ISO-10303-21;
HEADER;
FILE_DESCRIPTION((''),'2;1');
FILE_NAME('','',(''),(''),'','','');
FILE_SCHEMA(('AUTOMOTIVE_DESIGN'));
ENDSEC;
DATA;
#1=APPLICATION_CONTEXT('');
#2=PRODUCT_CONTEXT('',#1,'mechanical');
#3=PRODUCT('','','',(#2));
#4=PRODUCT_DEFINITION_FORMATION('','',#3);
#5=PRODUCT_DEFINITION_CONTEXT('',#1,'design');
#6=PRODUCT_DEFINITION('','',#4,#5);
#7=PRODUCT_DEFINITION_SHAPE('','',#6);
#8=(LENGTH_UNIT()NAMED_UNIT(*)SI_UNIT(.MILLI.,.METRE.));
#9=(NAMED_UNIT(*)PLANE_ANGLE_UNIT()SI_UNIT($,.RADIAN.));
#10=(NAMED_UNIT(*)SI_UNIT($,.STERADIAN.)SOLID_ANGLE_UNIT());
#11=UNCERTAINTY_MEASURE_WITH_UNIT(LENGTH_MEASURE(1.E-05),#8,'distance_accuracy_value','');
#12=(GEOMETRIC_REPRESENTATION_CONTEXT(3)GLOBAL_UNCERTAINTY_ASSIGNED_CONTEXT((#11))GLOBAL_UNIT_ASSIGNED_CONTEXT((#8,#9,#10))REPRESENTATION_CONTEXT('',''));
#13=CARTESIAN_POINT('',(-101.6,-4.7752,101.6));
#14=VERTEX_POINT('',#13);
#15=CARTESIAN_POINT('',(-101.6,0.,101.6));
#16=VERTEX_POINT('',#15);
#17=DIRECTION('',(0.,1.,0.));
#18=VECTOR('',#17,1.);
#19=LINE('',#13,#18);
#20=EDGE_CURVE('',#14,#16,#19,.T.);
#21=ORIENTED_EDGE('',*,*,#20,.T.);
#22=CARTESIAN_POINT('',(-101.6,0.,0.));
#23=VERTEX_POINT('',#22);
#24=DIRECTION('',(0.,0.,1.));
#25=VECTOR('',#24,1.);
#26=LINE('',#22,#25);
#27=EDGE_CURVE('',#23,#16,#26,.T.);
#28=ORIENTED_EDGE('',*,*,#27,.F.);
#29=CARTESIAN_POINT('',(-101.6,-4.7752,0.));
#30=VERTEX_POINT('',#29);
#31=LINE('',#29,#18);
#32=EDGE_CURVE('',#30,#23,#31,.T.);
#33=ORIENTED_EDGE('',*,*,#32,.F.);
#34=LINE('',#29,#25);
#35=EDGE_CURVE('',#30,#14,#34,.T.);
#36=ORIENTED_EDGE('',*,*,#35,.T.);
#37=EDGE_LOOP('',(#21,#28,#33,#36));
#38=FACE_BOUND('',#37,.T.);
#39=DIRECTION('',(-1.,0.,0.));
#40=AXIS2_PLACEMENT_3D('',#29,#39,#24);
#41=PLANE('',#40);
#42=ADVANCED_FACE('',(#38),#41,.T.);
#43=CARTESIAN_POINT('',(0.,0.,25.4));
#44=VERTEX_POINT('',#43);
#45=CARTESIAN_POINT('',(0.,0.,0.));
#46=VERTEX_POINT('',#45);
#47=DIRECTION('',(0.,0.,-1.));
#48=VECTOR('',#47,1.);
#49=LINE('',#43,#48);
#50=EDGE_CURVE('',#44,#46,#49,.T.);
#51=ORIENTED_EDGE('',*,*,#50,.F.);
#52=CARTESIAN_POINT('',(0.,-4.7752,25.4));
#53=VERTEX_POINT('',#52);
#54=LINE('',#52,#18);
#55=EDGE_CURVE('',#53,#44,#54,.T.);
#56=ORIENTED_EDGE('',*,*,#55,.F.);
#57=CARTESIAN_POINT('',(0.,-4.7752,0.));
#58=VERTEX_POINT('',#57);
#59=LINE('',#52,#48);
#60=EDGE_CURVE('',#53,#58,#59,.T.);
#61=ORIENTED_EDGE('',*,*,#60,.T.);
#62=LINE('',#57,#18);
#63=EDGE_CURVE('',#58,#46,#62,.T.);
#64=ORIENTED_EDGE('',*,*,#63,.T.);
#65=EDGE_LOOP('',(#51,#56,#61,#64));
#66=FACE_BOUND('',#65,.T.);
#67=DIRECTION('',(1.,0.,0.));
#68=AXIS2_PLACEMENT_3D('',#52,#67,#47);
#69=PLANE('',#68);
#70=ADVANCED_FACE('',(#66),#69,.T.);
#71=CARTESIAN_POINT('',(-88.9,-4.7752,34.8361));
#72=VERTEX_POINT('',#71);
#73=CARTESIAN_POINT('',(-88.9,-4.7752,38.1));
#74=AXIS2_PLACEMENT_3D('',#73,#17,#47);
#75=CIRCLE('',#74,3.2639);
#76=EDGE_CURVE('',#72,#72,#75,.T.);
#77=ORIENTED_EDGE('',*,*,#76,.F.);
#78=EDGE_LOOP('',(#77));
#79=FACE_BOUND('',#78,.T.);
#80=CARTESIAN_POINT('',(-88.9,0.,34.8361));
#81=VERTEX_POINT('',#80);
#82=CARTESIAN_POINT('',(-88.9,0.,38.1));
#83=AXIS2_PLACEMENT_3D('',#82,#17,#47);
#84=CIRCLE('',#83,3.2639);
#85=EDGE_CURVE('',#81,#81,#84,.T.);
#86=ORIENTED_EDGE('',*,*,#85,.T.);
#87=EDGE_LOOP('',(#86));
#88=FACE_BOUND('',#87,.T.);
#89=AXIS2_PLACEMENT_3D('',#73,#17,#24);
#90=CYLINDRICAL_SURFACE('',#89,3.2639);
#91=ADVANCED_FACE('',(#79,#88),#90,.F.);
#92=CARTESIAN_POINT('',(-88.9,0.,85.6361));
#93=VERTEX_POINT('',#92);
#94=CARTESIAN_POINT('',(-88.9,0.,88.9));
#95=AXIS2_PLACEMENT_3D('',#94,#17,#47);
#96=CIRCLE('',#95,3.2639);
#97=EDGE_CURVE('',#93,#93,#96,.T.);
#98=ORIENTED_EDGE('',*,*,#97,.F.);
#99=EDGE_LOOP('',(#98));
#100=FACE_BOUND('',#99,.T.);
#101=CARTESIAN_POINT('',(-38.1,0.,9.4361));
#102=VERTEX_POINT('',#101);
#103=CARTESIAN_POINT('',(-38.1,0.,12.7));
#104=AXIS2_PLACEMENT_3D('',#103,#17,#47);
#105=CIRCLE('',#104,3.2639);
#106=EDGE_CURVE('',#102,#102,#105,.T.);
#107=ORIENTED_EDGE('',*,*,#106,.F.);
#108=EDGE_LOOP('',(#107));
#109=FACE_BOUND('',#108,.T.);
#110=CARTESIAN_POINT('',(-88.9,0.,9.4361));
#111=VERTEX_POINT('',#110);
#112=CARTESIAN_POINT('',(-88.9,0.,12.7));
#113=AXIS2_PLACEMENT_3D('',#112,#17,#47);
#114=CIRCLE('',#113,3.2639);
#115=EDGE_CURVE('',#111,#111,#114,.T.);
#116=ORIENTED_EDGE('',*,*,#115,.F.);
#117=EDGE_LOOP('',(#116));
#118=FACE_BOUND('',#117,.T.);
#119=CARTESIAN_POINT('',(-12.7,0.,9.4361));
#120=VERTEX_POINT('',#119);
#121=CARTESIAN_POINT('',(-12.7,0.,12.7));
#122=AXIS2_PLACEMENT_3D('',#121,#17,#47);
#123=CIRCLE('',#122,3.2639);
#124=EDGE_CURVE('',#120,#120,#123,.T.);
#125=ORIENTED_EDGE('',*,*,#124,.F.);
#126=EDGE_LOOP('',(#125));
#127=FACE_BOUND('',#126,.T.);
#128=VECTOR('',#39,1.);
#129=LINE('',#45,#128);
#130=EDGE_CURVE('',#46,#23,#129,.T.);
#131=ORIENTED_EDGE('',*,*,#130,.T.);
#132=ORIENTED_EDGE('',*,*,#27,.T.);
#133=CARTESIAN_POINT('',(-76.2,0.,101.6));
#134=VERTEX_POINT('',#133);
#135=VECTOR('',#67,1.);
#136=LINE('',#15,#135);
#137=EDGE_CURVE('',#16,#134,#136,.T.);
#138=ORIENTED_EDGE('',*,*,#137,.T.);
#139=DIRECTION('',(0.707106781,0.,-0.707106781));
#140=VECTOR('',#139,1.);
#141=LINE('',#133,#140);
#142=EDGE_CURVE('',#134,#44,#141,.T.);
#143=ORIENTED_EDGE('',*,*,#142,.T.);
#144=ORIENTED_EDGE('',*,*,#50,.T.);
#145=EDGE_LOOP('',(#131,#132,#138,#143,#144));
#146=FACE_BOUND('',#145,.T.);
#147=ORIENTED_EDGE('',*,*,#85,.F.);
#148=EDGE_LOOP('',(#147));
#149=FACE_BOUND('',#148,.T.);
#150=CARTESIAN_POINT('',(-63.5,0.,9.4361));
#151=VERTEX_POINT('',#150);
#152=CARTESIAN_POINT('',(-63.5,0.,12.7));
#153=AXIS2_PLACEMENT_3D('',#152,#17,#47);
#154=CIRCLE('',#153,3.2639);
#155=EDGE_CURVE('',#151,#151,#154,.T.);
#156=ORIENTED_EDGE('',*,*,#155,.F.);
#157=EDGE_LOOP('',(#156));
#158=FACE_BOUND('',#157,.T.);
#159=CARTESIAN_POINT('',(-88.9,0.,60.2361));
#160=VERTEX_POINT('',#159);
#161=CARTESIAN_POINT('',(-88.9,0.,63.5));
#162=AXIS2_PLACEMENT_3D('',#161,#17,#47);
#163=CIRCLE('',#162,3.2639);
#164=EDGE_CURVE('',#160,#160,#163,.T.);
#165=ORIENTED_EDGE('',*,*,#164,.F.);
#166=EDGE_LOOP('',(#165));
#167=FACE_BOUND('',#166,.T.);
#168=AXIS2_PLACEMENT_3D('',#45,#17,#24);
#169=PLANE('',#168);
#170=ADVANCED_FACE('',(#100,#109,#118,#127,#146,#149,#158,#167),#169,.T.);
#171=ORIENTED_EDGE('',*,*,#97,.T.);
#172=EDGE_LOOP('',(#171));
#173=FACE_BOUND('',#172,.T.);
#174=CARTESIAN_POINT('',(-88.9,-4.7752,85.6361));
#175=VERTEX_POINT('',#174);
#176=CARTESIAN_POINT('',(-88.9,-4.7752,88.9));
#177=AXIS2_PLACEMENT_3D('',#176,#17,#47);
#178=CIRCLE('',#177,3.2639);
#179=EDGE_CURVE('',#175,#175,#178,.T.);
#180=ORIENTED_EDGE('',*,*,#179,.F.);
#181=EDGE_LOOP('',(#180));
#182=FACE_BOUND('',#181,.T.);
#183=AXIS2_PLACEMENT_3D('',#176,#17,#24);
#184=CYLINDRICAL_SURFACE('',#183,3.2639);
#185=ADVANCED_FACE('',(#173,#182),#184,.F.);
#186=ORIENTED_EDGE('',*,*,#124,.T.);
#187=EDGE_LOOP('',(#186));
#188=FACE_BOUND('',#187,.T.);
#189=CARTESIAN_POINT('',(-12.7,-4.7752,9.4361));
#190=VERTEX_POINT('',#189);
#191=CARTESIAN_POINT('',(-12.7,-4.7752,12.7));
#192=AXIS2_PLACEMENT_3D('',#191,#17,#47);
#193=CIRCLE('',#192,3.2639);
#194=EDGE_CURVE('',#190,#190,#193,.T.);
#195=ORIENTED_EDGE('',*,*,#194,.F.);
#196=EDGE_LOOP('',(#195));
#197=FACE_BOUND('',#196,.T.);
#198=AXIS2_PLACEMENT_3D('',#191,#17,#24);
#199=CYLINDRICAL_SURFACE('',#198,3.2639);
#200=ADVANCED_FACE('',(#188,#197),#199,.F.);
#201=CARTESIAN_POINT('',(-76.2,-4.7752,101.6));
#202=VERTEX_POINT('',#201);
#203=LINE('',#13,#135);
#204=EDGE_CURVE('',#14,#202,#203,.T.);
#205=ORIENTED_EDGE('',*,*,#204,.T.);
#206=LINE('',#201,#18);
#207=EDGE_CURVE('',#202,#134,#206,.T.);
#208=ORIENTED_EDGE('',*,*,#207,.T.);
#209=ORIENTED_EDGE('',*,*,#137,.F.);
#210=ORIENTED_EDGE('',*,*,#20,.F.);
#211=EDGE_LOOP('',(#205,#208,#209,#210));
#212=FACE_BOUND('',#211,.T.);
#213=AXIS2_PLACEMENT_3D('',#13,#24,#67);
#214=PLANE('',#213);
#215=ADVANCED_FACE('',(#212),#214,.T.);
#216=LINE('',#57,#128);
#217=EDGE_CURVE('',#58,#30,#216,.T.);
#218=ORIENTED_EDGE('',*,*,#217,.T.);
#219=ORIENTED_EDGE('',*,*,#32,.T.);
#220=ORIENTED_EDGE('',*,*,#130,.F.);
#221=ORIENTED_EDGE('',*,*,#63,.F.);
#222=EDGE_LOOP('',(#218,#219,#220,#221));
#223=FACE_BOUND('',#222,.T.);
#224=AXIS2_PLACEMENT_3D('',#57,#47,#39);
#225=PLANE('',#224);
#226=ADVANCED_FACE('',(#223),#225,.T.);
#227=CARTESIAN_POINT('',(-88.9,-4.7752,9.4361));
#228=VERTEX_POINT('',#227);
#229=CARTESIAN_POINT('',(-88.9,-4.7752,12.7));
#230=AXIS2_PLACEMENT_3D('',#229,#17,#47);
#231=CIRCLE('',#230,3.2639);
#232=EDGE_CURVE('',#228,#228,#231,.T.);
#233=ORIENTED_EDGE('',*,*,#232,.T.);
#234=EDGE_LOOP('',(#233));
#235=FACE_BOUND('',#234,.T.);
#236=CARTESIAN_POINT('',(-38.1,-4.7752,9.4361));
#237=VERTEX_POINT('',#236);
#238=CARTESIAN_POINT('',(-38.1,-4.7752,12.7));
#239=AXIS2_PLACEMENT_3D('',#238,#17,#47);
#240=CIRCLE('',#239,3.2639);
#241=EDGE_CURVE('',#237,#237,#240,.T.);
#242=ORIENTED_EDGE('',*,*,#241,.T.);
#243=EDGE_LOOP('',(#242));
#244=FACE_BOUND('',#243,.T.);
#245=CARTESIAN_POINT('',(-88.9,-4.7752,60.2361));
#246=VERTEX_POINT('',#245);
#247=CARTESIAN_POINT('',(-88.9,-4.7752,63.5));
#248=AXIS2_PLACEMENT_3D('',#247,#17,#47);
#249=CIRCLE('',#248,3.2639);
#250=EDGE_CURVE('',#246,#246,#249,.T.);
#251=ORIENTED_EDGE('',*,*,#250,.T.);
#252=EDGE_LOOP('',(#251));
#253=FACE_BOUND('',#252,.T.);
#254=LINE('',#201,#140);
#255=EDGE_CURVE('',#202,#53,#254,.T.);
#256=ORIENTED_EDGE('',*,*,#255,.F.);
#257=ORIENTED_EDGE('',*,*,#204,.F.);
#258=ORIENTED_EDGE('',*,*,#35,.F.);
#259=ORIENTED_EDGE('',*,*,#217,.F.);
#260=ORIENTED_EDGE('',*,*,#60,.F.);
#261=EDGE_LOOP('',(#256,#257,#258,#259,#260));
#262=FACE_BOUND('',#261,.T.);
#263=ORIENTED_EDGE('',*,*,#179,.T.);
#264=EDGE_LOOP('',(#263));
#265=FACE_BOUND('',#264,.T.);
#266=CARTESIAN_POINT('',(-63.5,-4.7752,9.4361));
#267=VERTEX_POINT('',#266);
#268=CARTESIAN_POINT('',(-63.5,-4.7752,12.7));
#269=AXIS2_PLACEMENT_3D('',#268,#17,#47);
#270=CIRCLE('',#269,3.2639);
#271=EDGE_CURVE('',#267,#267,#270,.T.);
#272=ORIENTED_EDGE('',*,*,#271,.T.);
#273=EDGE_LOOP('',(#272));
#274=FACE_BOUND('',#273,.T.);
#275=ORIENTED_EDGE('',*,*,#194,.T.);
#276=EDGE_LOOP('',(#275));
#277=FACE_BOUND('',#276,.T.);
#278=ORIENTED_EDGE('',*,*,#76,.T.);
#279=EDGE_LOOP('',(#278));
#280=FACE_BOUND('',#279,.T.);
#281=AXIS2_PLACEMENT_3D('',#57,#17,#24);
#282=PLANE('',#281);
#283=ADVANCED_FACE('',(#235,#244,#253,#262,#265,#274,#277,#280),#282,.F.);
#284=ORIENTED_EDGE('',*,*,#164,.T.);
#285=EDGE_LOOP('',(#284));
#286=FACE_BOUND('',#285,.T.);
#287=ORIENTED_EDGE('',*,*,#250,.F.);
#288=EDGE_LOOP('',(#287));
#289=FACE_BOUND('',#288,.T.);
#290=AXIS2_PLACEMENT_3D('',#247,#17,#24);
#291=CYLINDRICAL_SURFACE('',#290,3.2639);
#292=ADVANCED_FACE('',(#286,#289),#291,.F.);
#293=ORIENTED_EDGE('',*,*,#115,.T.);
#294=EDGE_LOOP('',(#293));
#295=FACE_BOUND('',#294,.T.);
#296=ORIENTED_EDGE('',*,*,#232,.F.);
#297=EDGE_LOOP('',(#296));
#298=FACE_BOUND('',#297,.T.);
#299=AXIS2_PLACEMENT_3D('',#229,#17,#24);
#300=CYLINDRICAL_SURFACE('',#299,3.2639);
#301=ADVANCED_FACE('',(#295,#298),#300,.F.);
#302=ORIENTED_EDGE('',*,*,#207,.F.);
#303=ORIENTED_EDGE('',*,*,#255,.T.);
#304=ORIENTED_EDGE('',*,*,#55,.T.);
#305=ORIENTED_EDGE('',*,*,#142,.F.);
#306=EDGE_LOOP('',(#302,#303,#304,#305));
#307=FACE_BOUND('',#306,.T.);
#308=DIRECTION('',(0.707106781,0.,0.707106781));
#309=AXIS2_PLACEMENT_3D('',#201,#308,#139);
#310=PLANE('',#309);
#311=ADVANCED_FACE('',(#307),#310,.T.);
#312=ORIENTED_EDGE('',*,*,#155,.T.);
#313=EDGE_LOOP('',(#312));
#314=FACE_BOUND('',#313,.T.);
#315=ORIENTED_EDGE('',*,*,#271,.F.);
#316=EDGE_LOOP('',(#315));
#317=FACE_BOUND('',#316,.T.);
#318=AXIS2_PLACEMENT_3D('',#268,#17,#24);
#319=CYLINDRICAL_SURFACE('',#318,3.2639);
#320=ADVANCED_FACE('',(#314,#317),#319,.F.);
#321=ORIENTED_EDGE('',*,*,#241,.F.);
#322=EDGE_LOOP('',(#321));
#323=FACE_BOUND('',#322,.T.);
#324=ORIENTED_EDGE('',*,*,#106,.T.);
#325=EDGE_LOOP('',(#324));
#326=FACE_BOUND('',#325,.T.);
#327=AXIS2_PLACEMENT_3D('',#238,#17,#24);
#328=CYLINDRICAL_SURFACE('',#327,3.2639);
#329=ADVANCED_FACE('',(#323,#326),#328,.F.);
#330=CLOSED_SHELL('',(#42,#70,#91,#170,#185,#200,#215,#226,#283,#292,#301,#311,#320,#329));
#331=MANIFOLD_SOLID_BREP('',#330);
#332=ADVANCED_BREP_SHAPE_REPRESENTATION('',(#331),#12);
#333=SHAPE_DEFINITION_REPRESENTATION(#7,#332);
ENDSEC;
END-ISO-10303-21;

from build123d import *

# Parameters (mm, degrees)
SKETCH1_R           = 3.2639
BOSS_EXTRUDE1_DEPTH = 4.7752


with BuildPart() as part:
    # Sketch1 (on Top Plane) → Boss-Extrude1 (new body)
    with BuildSketch(Plane(origin=(0, 0, 0), x_dir=(1, 0, 0), z_dir=(0, 1, 0))):
        Polygon((0, 0), (-101.6, 0), (-101.6, -101.6), (-76.2, -101.6), (0, -25.4), align=None)
        with Locations(Location((-88.9, -88.9, 0), (0, 0, 90))):
            Circle(SKETCH1_R, mode=Mode.SUBTRACT)
        with Locations(Location((-88.9, -63.5, 0), (0, 0, 90))):
            Circle(SKETCH1_R, mode=Mode.SUBTRACT)
        with Locations(Location((-38.1, -12.7, 0), (0, 0, 90))):
            Circle(SKETCH1_R, mode=Mode.SUBTRACT)
        with Locations(Location((-63.5, -12.7, 0), (0, 0, 90))):
            Circle(SKETCH1_R, mode=Mode.SUBTRACT)
        with Locations(Location((-88.9, -12.7, 0), (0, 0, 90))):
            Circle(SKETCH1_R, mode=Mode.SUBTRACT)
        with Locations(Location((-88.9, -38.1, 0), (0, 0, 90))):
            Circle(SKETCH1_R, mode=Mode.SUBTRACT)
        with Locations(Location((-12.7, -12.7, 0), (0, 0, 90))):
            Circle(SKETCH1_R, mode=Mode.SUBTRACT)
    extrude(amount=-BOSS_EXTRUDE1_DEPTH)


solid = part.part
